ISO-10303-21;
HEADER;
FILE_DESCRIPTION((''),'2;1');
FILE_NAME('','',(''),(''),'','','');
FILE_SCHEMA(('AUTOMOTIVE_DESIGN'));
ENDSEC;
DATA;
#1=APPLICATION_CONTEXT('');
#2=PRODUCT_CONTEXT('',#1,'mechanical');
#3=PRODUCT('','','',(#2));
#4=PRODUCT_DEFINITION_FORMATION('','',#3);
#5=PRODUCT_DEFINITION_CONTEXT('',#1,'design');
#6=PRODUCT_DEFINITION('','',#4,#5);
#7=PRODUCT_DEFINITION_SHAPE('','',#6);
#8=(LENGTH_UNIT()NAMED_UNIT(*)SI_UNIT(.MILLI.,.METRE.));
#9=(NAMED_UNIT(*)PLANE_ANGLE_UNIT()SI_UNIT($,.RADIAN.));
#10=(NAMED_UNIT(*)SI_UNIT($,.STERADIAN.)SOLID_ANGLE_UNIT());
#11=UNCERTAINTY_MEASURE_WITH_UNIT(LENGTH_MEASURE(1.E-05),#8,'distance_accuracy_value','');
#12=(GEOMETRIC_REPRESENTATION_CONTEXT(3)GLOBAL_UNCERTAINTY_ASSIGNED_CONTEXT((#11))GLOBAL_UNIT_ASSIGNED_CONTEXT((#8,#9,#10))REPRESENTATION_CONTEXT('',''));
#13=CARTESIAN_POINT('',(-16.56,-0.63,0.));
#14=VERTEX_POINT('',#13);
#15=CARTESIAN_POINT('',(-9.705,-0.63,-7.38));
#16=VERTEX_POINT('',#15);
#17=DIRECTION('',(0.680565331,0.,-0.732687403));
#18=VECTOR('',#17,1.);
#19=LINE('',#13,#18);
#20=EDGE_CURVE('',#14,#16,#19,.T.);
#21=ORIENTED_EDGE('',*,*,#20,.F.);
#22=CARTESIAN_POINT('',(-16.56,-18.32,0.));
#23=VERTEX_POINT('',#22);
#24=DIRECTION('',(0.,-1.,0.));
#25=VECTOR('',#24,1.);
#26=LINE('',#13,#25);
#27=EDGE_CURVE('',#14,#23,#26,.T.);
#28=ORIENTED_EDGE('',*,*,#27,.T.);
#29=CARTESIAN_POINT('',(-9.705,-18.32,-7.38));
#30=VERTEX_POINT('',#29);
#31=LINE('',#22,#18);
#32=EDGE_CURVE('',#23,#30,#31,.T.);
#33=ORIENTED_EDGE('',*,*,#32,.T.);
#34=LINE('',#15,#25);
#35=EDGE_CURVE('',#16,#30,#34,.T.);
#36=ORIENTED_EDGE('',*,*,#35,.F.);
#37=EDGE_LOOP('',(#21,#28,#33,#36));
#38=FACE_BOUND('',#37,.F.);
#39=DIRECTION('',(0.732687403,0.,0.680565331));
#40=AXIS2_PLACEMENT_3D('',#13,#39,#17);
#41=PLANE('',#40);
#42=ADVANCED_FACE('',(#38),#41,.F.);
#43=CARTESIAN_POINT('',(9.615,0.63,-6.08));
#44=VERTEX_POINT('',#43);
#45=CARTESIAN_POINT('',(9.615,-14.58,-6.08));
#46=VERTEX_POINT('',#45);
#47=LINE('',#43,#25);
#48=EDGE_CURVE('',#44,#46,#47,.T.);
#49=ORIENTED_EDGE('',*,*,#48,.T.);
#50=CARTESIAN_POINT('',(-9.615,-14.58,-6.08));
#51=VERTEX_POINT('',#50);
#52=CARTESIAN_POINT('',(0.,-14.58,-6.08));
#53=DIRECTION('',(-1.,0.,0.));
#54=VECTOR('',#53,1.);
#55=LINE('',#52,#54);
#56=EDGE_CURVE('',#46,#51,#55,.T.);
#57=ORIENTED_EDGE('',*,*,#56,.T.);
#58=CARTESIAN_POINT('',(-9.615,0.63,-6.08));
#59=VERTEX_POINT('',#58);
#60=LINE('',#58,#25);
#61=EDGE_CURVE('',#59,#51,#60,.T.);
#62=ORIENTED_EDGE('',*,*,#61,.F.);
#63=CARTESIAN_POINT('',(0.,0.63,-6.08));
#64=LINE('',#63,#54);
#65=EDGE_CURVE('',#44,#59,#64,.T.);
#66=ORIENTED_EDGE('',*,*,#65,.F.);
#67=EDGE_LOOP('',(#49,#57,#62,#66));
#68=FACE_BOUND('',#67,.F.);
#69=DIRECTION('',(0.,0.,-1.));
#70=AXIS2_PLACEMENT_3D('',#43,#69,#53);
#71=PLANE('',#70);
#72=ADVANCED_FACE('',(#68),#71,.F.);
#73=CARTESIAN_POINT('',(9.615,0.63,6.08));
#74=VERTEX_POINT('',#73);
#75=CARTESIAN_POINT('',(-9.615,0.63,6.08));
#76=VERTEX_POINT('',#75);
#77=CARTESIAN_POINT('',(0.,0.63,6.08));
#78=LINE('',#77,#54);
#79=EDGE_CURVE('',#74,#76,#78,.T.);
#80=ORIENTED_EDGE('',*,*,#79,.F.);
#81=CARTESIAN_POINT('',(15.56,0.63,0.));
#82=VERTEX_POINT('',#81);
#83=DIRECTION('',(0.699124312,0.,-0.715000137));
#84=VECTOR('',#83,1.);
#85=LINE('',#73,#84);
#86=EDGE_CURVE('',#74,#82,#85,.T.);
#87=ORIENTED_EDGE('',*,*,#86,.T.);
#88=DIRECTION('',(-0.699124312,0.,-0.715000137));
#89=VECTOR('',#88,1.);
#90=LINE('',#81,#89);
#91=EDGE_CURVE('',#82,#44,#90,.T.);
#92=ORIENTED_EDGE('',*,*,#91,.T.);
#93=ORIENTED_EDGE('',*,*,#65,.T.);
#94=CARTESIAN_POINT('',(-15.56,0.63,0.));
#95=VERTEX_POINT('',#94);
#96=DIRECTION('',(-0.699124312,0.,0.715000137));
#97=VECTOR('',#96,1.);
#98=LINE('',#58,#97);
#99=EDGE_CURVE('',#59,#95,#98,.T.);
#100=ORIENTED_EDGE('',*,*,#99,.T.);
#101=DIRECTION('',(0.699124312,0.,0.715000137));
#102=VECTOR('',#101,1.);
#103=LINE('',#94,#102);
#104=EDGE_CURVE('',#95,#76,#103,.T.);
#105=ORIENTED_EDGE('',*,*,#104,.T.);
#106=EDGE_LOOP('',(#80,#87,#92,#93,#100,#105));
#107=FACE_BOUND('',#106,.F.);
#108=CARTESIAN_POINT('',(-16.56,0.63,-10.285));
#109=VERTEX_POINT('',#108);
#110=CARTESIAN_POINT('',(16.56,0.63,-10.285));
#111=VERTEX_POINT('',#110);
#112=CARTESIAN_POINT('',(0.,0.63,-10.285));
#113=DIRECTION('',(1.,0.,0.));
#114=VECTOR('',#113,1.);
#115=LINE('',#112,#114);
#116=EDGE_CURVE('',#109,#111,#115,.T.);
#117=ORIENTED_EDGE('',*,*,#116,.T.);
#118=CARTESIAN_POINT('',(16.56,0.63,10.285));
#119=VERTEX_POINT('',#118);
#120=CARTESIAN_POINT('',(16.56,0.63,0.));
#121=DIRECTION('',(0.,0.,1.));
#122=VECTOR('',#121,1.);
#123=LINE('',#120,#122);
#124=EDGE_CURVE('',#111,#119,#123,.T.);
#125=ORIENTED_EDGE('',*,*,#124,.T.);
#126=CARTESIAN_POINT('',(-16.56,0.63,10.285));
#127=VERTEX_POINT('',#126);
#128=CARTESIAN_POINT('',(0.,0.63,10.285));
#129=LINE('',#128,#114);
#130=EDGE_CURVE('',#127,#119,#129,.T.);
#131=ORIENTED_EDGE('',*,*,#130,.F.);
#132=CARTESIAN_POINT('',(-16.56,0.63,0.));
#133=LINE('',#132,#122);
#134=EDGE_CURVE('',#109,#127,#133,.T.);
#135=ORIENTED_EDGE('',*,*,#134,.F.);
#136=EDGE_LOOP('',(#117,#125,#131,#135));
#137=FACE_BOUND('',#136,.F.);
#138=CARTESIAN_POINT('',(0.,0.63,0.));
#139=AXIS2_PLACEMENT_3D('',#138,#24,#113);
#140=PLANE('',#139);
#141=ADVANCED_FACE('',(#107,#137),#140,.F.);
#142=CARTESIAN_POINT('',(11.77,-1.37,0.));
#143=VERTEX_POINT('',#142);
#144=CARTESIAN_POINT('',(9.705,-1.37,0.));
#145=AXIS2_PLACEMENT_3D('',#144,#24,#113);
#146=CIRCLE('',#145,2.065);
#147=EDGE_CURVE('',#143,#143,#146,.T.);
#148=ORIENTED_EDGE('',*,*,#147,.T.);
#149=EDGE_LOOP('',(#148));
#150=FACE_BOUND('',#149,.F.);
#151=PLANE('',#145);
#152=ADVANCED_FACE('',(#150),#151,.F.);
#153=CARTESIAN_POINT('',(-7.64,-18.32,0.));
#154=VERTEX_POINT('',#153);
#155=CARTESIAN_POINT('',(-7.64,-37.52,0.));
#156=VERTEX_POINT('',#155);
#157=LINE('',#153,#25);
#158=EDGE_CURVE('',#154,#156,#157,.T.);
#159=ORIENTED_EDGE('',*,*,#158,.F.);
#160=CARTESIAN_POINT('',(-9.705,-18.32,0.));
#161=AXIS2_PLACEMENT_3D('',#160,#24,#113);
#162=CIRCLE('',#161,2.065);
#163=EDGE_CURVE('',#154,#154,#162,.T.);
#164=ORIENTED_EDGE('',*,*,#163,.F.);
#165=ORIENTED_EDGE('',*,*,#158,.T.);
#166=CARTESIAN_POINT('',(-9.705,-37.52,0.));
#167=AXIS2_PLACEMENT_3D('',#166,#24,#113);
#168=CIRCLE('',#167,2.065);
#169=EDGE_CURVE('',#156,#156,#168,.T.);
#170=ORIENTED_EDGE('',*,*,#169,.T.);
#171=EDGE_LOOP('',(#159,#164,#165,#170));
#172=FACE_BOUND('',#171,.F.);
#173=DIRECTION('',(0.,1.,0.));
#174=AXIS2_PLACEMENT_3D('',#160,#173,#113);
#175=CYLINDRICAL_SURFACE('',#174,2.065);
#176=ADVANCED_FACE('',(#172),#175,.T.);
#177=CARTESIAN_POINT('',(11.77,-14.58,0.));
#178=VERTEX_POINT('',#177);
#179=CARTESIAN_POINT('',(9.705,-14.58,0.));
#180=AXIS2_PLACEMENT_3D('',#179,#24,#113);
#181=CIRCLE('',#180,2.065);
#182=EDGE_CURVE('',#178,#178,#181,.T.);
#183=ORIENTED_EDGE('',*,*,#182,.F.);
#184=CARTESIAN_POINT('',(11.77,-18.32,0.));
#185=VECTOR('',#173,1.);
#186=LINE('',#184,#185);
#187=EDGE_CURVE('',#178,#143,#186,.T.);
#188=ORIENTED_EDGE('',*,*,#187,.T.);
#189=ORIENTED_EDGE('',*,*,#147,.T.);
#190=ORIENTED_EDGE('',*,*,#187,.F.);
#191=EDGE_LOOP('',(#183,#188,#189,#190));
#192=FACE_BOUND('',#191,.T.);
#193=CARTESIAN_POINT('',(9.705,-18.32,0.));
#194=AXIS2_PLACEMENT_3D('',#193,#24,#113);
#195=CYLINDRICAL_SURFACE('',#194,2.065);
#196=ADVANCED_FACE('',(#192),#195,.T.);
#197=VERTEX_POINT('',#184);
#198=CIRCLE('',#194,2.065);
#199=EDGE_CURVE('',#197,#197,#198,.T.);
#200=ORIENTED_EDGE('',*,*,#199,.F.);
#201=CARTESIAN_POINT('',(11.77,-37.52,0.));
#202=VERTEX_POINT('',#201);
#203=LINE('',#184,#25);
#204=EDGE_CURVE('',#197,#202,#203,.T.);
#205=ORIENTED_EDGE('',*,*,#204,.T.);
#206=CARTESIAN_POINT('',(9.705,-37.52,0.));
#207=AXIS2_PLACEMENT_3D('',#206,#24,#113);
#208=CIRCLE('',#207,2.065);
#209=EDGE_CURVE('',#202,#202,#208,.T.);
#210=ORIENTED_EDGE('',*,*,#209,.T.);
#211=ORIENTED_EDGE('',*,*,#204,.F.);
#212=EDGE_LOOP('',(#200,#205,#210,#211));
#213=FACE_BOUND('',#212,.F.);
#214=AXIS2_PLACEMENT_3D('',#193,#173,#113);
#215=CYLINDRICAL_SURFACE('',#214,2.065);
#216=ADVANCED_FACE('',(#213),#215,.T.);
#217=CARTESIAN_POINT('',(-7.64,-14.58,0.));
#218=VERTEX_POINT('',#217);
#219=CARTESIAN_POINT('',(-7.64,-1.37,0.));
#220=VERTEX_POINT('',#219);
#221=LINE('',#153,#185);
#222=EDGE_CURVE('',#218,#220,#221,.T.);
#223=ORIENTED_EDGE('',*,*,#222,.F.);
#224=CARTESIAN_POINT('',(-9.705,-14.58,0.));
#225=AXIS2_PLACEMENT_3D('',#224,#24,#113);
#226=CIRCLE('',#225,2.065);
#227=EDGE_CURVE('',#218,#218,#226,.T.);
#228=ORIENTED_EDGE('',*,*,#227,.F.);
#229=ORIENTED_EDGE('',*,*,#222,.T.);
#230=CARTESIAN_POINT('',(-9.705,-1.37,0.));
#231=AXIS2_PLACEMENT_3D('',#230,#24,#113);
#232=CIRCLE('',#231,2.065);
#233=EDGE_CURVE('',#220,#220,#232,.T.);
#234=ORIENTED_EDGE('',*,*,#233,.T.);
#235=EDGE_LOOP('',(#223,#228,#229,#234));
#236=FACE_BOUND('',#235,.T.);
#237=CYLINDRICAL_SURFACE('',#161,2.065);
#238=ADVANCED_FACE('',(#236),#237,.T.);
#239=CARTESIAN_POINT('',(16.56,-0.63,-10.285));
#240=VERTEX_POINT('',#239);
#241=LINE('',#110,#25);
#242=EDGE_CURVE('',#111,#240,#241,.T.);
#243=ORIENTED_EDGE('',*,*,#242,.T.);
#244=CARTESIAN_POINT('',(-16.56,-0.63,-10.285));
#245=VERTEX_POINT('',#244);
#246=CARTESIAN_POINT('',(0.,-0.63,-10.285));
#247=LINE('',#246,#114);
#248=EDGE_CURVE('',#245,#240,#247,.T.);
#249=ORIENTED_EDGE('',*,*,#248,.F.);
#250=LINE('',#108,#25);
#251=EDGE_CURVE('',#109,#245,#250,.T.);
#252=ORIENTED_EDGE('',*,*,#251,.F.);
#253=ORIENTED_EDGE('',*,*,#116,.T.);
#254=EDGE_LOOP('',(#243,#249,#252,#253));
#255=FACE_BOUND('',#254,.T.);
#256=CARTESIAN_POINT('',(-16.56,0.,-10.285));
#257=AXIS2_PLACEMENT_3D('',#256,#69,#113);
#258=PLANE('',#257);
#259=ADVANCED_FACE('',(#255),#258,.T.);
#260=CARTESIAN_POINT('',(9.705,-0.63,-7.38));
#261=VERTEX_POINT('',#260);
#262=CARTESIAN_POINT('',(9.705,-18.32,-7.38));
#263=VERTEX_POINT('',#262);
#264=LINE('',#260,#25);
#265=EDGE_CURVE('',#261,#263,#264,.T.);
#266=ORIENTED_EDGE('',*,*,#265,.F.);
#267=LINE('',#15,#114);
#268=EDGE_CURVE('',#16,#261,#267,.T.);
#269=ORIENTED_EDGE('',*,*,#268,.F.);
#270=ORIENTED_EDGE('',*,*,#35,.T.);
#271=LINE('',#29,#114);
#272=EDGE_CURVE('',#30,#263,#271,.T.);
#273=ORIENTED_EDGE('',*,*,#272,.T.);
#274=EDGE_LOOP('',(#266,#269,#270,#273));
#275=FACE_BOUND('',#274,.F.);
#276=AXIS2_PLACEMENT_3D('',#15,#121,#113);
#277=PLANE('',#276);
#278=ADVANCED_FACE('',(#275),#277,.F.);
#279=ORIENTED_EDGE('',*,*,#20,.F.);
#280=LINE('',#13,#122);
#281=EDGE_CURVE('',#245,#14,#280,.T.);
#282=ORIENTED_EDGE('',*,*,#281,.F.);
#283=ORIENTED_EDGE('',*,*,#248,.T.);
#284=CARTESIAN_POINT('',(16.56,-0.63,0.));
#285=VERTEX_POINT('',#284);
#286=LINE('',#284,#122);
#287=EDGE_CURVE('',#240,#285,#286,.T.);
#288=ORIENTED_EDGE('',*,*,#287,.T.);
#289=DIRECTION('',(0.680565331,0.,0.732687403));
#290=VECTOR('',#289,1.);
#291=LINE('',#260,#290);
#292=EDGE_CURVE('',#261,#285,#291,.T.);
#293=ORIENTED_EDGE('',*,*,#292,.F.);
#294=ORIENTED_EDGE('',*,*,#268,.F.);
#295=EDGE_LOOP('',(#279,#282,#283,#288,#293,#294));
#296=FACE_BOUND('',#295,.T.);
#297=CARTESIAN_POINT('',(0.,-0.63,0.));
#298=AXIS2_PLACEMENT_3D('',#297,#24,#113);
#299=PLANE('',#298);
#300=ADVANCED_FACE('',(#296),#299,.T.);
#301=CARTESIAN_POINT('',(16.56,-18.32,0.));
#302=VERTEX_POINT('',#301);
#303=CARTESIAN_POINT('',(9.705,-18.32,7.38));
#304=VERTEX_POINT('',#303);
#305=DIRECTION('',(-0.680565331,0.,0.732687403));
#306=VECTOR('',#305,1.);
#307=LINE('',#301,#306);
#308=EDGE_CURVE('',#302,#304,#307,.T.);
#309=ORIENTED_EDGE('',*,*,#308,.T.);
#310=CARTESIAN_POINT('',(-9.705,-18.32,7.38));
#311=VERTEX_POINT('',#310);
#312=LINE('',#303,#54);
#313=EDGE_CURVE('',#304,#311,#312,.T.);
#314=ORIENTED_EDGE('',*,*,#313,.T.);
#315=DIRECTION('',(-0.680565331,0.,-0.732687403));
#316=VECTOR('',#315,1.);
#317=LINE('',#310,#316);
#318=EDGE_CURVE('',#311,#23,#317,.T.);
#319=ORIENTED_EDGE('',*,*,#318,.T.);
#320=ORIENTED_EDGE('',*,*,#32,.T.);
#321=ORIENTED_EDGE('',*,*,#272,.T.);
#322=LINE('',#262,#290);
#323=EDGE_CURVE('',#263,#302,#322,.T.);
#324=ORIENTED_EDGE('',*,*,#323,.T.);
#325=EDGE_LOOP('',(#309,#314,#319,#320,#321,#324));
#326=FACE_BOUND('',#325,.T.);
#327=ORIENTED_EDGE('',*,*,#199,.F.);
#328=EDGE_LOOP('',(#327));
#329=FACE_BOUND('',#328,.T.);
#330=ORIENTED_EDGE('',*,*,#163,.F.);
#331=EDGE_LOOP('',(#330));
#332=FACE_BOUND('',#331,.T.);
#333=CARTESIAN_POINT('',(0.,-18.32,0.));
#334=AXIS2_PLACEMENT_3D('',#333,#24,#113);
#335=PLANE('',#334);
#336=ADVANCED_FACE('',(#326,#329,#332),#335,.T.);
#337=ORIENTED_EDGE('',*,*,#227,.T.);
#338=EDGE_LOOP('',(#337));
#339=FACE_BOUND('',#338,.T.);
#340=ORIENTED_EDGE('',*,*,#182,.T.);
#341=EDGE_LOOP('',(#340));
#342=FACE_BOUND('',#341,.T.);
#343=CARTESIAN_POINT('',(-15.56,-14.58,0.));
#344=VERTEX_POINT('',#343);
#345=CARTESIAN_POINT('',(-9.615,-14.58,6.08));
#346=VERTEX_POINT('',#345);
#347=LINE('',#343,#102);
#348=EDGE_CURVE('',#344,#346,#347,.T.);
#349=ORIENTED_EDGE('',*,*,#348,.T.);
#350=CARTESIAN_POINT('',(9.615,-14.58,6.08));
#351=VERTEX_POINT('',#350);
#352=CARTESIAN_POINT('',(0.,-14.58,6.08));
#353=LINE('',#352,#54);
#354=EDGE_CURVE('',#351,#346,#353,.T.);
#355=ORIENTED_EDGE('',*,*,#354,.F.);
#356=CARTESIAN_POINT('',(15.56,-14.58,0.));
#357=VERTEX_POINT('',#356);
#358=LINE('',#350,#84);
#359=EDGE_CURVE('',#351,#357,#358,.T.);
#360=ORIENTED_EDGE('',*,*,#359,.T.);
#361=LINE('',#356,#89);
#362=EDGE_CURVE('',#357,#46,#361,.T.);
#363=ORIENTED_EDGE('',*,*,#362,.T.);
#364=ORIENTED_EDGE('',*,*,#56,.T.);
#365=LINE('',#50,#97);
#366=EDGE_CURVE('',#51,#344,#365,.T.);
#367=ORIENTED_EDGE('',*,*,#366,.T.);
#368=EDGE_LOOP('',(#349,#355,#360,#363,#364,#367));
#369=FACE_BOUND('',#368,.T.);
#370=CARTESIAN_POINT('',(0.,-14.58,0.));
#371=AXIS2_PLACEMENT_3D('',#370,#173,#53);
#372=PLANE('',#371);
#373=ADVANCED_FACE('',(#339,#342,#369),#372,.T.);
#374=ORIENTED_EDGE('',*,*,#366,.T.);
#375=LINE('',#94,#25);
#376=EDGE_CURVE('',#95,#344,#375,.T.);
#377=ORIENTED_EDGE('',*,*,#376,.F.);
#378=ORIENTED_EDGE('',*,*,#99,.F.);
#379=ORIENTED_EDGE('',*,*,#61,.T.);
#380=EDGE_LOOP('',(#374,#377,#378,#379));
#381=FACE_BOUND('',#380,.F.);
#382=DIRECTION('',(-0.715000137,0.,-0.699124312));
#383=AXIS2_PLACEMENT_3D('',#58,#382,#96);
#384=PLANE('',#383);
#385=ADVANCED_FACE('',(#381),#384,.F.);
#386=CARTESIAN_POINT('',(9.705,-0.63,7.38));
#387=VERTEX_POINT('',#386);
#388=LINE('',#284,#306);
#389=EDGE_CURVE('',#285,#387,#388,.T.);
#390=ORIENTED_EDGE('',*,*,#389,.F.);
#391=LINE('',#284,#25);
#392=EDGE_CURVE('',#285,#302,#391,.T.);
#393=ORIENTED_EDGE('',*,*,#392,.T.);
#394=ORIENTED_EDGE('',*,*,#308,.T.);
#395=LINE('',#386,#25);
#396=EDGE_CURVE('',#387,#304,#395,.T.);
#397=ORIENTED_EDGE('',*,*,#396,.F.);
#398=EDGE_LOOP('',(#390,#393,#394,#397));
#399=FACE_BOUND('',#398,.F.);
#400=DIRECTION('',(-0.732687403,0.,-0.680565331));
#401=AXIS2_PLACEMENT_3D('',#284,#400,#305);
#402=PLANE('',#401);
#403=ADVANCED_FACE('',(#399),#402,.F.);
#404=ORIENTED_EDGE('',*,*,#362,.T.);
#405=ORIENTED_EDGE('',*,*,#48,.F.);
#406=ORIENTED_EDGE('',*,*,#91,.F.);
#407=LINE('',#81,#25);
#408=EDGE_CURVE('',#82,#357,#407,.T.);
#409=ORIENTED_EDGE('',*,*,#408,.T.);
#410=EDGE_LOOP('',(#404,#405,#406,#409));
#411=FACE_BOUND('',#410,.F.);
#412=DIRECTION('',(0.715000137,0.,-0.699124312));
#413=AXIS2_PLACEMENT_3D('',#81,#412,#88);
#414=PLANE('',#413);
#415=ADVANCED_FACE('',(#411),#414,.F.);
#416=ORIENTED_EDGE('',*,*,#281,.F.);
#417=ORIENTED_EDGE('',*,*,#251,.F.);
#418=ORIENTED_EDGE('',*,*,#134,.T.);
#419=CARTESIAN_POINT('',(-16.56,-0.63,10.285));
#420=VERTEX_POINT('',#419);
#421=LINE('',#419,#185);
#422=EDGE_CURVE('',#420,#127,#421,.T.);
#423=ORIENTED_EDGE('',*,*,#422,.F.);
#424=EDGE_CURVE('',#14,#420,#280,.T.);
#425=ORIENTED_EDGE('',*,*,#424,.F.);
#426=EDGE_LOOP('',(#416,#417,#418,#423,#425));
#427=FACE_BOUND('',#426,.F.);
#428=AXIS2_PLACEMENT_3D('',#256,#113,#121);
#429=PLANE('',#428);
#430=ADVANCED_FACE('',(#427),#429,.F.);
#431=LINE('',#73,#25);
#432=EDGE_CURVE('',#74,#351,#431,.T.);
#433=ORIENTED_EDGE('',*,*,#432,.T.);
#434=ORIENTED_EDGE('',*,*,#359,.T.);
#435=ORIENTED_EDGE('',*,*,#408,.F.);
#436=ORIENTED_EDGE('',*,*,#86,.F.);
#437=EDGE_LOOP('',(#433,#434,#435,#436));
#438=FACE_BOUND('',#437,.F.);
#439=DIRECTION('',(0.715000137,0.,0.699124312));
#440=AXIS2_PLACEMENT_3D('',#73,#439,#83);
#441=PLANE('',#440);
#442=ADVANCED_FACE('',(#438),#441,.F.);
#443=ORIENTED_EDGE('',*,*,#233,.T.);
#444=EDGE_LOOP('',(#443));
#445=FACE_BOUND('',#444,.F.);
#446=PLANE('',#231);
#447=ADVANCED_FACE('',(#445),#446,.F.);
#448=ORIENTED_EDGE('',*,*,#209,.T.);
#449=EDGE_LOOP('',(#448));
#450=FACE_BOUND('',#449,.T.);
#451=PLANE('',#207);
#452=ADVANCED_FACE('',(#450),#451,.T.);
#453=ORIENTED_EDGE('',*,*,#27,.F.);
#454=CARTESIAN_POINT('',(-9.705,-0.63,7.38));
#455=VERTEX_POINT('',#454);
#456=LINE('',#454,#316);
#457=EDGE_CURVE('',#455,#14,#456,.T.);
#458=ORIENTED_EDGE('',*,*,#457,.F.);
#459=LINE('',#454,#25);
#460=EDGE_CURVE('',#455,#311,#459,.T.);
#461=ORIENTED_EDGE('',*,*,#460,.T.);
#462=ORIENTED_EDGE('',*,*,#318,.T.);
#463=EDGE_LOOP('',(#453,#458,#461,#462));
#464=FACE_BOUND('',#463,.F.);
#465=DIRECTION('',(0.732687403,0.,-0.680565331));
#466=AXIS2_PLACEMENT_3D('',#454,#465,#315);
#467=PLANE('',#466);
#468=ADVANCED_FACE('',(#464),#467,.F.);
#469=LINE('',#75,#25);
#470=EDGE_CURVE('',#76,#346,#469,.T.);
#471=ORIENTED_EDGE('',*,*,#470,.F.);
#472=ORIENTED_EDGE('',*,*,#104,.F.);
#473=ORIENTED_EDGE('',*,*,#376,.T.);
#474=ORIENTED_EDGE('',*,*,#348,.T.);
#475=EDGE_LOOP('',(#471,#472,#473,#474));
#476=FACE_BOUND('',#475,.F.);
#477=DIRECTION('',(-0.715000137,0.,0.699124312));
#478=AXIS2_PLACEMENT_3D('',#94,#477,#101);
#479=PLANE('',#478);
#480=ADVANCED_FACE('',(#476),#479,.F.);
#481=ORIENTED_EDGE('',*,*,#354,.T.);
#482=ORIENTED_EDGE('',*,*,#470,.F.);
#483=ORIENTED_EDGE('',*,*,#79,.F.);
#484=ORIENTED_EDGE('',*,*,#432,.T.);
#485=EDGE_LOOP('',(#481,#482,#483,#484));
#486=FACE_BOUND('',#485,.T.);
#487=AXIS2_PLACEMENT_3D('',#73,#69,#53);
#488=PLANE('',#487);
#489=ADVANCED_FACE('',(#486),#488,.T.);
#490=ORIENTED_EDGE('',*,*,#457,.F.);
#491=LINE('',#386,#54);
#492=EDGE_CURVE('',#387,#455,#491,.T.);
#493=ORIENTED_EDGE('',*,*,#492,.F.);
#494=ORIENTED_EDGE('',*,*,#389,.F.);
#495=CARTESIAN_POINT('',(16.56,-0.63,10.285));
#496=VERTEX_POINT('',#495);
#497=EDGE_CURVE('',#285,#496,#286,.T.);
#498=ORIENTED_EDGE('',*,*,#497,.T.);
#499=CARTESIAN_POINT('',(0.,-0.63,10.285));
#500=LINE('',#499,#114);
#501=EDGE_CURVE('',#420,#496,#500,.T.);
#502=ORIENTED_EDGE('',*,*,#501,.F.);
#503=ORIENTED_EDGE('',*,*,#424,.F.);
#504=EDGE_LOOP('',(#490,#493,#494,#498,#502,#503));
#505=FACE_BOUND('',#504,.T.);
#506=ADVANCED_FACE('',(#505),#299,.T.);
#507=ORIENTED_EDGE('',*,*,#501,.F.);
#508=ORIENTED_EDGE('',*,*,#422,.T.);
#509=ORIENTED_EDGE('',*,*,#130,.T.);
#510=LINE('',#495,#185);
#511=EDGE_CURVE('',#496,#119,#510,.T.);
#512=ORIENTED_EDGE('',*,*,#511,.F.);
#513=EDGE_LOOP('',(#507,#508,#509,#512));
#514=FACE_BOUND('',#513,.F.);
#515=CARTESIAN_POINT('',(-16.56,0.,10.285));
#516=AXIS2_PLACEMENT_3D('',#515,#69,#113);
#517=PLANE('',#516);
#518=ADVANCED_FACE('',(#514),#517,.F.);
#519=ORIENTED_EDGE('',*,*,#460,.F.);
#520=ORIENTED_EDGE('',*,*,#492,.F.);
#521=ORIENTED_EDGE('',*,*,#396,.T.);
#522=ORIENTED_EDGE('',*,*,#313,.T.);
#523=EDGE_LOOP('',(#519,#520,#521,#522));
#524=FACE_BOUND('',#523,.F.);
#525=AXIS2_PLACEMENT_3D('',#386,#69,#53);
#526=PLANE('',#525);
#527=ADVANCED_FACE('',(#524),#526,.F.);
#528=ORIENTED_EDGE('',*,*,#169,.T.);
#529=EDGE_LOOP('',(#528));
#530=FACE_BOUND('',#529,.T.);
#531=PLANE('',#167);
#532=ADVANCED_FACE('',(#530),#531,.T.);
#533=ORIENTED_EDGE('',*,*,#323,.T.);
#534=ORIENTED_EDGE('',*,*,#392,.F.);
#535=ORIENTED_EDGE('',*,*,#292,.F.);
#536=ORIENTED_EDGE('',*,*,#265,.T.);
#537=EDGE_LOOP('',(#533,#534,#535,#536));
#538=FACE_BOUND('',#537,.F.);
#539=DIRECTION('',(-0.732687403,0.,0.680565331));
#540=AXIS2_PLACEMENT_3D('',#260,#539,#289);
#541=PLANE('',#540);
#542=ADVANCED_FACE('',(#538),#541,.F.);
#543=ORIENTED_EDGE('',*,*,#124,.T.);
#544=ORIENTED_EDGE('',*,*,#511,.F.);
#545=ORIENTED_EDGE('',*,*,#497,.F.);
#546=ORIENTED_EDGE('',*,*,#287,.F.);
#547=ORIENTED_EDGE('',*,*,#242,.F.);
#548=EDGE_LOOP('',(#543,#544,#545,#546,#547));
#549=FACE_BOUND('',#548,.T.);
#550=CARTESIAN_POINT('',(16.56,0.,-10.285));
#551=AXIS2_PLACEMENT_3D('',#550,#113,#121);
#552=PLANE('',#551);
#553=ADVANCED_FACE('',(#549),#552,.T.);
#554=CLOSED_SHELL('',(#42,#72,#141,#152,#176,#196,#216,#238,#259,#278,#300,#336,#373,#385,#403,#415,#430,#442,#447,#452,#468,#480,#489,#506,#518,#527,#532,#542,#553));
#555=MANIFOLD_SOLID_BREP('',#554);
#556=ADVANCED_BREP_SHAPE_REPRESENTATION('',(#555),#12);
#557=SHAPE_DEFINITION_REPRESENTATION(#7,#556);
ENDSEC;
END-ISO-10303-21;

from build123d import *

# Parameters (mm, degrees)
F0_W          = 33.12
F0_H          = 20.57
F1_DEPTH      = 0.63
F3_DEPTH      = 17.69
F4_W          = 19.23
F4_H          = 12.16
F5_DEPTH      = 15.21
F6_R          = 2.065
F7_DEPTH      = 19.2
F7_DEPTH_BACK = 16.95


with BuildPart() as f1:
    # F0 (on Front) → F1 (new body, symmetric)
    with BuildSketch(Plane.XZ):
        Rectangle(F0_W, F0_H)
    extrude(amount=F1_DEPTH, both=True)

    # F2 (on face) → F3 (join)
    with BuildSketch(Plane.XZ.offset(0.63)):
        Polygon((16.56, 0), (9.705, 7.38), (-9.705, 7.38), (-16.56, 0), (-9.705, -7.38), (9.705, -7.38), align=None)
    extrude(amount=F3_DEPTH)

    # F4 (on face) → F5 (cut)
    with BuildSketch(Plane(origin=(0, 0.63, 0), x_dir=(-1, 0, 0), z_dir=(0, 1, 0))):
        Rectangle(F4_W, F4_H)
        Polygon((15.56, 0), (9.615, 6.08), (9.615, -6.08), align=None)
        Polygon((-9.615, -6.08), (-9.615, 6.08), (-15.56, 0), align=None)
    extrude(amount=-F5_DEPTH, mode=Mode.SUBTRACT)

    # F6 (on face) → F7 (join, two sides)
    with BuildSketch(Plane.XZ.offset(18.32)) as f7_sk:
        with Locations((-9.705, 0)):
            Circle(F6_R)
        with Locations((9.705, 0)):
            Circle(F6_R)
    extrude(amount=F7_DEPTH)
    extrude(f7_sk.sketch, amount=-F7_DEPTH_BACK)


solid = f1.part
